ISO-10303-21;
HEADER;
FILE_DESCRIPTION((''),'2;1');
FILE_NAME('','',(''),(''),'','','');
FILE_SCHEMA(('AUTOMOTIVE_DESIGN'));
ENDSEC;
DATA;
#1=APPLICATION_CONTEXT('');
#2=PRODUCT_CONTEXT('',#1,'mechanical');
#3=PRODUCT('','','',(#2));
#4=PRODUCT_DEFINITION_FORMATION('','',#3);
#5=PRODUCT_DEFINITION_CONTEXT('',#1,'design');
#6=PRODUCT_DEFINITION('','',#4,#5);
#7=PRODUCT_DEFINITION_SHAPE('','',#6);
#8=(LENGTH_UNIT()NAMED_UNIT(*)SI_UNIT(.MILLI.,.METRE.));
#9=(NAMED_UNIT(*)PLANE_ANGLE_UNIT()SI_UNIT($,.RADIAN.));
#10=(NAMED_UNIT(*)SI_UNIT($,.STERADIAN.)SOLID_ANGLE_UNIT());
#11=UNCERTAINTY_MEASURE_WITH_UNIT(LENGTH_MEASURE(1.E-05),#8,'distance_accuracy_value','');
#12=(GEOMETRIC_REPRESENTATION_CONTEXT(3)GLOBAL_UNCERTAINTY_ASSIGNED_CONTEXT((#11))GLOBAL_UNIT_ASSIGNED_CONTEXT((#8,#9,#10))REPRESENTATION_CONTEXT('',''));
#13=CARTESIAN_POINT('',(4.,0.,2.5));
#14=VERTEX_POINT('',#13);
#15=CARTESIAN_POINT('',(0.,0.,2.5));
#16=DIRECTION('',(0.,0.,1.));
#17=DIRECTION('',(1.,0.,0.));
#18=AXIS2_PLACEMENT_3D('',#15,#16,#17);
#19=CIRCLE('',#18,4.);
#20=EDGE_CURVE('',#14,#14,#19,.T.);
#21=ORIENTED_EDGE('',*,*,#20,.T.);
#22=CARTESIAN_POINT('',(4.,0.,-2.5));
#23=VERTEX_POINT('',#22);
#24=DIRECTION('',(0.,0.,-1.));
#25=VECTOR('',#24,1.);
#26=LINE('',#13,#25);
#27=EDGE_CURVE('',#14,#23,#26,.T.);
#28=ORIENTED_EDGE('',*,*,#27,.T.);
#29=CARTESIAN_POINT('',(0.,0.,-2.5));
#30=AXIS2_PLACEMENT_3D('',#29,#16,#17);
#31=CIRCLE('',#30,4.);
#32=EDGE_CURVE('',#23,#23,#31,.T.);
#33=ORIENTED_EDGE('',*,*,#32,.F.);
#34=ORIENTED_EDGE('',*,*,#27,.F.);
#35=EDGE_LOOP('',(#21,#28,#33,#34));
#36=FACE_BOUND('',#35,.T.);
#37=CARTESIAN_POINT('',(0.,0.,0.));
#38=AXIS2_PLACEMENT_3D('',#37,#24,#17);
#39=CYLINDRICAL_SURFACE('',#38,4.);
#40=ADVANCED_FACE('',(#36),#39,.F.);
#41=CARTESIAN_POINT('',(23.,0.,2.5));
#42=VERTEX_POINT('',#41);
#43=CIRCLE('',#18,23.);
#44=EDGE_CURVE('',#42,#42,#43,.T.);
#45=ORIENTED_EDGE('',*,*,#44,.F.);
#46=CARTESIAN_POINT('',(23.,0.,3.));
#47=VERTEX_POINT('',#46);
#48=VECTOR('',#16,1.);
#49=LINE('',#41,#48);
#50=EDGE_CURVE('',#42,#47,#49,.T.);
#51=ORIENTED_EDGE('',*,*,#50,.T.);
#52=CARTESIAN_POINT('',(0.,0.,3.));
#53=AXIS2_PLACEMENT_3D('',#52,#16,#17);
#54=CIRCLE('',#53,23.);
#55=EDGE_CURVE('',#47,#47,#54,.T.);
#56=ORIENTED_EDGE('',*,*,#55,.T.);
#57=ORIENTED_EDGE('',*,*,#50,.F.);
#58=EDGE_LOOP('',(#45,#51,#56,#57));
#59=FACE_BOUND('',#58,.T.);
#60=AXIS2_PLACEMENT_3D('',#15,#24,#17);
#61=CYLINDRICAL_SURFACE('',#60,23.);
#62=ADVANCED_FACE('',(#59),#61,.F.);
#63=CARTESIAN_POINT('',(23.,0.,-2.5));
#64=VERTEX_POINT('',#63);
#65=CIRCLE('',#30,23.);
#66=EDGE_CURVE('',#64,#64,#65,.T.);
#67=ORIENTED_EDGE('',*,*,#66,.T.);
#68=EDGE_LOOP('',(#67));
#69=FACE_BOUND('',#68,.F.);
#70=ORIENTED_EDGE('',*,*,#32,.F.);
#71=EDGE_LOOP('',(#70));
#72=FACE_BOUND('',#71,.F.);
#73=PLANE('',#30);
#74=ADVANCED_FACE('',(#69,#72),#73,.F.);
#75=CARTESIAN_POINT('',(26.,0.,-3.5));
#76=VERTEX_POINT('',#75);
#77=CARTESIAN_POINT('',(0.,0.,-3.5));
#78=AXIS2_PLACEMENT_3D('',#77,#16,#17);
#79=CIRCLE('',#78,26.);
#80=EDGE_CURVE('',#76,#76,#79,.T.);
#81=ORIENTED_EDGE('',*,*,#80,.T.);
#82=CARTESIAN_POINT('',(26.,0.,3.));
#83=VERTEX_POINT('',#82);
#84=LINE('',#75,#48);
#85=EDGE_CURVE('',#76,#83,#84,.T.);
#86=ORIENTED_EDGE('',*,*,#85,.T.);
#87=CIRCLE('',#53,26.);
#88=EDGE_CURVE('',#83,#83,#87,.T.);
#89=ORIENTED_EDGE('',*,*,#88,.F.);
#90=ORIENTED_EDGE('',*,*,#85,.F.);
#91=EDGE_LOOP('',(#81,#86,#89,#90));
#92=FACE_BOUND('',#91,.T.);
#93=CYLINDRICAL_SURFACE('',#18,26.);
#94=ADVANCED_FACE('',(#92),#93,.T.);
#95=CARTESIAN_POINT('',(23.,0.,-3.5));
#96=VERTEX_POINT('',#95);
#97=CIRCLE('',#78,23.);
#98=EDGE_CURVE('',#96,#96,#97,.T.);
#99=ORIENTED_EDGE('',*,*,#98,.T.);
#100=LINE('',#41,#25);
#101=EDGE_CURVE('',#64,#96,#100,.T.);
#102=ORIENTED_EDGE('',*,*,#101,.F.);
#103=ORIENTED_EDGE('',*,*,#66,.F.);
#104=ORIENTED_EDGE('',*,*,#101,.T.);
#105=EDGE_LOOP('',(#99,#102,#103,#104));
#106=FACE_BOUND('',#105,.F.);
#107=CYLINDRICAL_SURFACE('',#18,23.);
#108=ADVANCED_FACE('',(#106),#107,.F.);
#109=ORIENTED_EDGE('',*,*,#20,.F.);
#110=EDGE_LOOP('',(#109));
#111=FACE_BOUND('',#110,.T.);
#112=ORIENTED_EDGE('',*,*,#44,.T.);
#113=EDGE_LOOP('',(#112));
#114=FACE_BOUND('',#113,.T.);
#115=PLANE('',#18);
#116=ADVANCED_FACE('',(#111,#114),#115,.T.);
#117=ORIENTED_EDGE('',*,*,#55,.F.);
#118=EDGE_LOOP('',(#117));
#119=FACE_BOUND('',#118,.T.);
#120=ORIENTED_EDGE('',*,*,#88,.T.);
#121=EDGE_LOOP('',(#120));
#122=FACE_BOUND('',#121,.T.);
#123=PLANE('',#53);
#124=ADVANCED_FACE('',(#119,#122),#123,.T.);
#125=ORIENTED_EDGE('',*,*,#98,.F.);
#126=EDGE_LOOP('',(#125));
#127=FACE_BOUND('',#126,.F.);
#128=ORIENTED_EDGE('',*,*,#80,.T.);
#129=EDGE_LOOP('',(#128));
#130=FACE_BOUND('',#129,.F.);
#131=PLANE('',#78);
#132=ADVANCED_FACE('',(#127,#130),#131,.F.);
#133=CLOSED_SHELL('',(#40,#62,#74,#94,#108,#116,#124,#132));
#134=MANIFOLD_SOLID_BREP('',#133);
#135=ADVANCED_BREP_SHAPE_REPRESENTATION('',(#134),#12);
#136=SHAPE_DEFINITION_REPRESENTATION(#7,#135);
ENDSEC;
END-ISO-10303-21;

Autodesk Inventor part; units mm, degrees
ref_plane "YZ Plane" through (0, 0, 0) normal (1, 0, 0) x (0, 1, 0)
ref_plane "XZ Plane" through (0, 0, 0) normal (0, 1, 0) x (-1, 0, 0)
ref_plane "XY Plane" through (0, 0, 0) normal (0, 0, 1) x (1, 0, 0)
sketch "Sketch1" plane through (0, 0, 0) normal (0, 0, 1) x (1, 0, 0)
  circle A0 centre (0, 0) radius 23
  circle A1 centre (0, 0) radius 4
  dimension "d0" = 46
  dimension "d1" = 8
extrude "Extrusion1" add sketch "Sketch1" along normal mid plane 5
sketch "Sketch2" plane through (0, 0, 2.5) normal (0, 0, 1) x (1, 0, 0)
  circle A0 centre (0, 0) radius 23
  circle A1 centre (0, 0) radius 26
  dimension "d4" = 52
extrude "Extrusion2" add sketch "Sketch2" against normal blind 6 and the other way blind 0.5
properties part number "Rueda"
